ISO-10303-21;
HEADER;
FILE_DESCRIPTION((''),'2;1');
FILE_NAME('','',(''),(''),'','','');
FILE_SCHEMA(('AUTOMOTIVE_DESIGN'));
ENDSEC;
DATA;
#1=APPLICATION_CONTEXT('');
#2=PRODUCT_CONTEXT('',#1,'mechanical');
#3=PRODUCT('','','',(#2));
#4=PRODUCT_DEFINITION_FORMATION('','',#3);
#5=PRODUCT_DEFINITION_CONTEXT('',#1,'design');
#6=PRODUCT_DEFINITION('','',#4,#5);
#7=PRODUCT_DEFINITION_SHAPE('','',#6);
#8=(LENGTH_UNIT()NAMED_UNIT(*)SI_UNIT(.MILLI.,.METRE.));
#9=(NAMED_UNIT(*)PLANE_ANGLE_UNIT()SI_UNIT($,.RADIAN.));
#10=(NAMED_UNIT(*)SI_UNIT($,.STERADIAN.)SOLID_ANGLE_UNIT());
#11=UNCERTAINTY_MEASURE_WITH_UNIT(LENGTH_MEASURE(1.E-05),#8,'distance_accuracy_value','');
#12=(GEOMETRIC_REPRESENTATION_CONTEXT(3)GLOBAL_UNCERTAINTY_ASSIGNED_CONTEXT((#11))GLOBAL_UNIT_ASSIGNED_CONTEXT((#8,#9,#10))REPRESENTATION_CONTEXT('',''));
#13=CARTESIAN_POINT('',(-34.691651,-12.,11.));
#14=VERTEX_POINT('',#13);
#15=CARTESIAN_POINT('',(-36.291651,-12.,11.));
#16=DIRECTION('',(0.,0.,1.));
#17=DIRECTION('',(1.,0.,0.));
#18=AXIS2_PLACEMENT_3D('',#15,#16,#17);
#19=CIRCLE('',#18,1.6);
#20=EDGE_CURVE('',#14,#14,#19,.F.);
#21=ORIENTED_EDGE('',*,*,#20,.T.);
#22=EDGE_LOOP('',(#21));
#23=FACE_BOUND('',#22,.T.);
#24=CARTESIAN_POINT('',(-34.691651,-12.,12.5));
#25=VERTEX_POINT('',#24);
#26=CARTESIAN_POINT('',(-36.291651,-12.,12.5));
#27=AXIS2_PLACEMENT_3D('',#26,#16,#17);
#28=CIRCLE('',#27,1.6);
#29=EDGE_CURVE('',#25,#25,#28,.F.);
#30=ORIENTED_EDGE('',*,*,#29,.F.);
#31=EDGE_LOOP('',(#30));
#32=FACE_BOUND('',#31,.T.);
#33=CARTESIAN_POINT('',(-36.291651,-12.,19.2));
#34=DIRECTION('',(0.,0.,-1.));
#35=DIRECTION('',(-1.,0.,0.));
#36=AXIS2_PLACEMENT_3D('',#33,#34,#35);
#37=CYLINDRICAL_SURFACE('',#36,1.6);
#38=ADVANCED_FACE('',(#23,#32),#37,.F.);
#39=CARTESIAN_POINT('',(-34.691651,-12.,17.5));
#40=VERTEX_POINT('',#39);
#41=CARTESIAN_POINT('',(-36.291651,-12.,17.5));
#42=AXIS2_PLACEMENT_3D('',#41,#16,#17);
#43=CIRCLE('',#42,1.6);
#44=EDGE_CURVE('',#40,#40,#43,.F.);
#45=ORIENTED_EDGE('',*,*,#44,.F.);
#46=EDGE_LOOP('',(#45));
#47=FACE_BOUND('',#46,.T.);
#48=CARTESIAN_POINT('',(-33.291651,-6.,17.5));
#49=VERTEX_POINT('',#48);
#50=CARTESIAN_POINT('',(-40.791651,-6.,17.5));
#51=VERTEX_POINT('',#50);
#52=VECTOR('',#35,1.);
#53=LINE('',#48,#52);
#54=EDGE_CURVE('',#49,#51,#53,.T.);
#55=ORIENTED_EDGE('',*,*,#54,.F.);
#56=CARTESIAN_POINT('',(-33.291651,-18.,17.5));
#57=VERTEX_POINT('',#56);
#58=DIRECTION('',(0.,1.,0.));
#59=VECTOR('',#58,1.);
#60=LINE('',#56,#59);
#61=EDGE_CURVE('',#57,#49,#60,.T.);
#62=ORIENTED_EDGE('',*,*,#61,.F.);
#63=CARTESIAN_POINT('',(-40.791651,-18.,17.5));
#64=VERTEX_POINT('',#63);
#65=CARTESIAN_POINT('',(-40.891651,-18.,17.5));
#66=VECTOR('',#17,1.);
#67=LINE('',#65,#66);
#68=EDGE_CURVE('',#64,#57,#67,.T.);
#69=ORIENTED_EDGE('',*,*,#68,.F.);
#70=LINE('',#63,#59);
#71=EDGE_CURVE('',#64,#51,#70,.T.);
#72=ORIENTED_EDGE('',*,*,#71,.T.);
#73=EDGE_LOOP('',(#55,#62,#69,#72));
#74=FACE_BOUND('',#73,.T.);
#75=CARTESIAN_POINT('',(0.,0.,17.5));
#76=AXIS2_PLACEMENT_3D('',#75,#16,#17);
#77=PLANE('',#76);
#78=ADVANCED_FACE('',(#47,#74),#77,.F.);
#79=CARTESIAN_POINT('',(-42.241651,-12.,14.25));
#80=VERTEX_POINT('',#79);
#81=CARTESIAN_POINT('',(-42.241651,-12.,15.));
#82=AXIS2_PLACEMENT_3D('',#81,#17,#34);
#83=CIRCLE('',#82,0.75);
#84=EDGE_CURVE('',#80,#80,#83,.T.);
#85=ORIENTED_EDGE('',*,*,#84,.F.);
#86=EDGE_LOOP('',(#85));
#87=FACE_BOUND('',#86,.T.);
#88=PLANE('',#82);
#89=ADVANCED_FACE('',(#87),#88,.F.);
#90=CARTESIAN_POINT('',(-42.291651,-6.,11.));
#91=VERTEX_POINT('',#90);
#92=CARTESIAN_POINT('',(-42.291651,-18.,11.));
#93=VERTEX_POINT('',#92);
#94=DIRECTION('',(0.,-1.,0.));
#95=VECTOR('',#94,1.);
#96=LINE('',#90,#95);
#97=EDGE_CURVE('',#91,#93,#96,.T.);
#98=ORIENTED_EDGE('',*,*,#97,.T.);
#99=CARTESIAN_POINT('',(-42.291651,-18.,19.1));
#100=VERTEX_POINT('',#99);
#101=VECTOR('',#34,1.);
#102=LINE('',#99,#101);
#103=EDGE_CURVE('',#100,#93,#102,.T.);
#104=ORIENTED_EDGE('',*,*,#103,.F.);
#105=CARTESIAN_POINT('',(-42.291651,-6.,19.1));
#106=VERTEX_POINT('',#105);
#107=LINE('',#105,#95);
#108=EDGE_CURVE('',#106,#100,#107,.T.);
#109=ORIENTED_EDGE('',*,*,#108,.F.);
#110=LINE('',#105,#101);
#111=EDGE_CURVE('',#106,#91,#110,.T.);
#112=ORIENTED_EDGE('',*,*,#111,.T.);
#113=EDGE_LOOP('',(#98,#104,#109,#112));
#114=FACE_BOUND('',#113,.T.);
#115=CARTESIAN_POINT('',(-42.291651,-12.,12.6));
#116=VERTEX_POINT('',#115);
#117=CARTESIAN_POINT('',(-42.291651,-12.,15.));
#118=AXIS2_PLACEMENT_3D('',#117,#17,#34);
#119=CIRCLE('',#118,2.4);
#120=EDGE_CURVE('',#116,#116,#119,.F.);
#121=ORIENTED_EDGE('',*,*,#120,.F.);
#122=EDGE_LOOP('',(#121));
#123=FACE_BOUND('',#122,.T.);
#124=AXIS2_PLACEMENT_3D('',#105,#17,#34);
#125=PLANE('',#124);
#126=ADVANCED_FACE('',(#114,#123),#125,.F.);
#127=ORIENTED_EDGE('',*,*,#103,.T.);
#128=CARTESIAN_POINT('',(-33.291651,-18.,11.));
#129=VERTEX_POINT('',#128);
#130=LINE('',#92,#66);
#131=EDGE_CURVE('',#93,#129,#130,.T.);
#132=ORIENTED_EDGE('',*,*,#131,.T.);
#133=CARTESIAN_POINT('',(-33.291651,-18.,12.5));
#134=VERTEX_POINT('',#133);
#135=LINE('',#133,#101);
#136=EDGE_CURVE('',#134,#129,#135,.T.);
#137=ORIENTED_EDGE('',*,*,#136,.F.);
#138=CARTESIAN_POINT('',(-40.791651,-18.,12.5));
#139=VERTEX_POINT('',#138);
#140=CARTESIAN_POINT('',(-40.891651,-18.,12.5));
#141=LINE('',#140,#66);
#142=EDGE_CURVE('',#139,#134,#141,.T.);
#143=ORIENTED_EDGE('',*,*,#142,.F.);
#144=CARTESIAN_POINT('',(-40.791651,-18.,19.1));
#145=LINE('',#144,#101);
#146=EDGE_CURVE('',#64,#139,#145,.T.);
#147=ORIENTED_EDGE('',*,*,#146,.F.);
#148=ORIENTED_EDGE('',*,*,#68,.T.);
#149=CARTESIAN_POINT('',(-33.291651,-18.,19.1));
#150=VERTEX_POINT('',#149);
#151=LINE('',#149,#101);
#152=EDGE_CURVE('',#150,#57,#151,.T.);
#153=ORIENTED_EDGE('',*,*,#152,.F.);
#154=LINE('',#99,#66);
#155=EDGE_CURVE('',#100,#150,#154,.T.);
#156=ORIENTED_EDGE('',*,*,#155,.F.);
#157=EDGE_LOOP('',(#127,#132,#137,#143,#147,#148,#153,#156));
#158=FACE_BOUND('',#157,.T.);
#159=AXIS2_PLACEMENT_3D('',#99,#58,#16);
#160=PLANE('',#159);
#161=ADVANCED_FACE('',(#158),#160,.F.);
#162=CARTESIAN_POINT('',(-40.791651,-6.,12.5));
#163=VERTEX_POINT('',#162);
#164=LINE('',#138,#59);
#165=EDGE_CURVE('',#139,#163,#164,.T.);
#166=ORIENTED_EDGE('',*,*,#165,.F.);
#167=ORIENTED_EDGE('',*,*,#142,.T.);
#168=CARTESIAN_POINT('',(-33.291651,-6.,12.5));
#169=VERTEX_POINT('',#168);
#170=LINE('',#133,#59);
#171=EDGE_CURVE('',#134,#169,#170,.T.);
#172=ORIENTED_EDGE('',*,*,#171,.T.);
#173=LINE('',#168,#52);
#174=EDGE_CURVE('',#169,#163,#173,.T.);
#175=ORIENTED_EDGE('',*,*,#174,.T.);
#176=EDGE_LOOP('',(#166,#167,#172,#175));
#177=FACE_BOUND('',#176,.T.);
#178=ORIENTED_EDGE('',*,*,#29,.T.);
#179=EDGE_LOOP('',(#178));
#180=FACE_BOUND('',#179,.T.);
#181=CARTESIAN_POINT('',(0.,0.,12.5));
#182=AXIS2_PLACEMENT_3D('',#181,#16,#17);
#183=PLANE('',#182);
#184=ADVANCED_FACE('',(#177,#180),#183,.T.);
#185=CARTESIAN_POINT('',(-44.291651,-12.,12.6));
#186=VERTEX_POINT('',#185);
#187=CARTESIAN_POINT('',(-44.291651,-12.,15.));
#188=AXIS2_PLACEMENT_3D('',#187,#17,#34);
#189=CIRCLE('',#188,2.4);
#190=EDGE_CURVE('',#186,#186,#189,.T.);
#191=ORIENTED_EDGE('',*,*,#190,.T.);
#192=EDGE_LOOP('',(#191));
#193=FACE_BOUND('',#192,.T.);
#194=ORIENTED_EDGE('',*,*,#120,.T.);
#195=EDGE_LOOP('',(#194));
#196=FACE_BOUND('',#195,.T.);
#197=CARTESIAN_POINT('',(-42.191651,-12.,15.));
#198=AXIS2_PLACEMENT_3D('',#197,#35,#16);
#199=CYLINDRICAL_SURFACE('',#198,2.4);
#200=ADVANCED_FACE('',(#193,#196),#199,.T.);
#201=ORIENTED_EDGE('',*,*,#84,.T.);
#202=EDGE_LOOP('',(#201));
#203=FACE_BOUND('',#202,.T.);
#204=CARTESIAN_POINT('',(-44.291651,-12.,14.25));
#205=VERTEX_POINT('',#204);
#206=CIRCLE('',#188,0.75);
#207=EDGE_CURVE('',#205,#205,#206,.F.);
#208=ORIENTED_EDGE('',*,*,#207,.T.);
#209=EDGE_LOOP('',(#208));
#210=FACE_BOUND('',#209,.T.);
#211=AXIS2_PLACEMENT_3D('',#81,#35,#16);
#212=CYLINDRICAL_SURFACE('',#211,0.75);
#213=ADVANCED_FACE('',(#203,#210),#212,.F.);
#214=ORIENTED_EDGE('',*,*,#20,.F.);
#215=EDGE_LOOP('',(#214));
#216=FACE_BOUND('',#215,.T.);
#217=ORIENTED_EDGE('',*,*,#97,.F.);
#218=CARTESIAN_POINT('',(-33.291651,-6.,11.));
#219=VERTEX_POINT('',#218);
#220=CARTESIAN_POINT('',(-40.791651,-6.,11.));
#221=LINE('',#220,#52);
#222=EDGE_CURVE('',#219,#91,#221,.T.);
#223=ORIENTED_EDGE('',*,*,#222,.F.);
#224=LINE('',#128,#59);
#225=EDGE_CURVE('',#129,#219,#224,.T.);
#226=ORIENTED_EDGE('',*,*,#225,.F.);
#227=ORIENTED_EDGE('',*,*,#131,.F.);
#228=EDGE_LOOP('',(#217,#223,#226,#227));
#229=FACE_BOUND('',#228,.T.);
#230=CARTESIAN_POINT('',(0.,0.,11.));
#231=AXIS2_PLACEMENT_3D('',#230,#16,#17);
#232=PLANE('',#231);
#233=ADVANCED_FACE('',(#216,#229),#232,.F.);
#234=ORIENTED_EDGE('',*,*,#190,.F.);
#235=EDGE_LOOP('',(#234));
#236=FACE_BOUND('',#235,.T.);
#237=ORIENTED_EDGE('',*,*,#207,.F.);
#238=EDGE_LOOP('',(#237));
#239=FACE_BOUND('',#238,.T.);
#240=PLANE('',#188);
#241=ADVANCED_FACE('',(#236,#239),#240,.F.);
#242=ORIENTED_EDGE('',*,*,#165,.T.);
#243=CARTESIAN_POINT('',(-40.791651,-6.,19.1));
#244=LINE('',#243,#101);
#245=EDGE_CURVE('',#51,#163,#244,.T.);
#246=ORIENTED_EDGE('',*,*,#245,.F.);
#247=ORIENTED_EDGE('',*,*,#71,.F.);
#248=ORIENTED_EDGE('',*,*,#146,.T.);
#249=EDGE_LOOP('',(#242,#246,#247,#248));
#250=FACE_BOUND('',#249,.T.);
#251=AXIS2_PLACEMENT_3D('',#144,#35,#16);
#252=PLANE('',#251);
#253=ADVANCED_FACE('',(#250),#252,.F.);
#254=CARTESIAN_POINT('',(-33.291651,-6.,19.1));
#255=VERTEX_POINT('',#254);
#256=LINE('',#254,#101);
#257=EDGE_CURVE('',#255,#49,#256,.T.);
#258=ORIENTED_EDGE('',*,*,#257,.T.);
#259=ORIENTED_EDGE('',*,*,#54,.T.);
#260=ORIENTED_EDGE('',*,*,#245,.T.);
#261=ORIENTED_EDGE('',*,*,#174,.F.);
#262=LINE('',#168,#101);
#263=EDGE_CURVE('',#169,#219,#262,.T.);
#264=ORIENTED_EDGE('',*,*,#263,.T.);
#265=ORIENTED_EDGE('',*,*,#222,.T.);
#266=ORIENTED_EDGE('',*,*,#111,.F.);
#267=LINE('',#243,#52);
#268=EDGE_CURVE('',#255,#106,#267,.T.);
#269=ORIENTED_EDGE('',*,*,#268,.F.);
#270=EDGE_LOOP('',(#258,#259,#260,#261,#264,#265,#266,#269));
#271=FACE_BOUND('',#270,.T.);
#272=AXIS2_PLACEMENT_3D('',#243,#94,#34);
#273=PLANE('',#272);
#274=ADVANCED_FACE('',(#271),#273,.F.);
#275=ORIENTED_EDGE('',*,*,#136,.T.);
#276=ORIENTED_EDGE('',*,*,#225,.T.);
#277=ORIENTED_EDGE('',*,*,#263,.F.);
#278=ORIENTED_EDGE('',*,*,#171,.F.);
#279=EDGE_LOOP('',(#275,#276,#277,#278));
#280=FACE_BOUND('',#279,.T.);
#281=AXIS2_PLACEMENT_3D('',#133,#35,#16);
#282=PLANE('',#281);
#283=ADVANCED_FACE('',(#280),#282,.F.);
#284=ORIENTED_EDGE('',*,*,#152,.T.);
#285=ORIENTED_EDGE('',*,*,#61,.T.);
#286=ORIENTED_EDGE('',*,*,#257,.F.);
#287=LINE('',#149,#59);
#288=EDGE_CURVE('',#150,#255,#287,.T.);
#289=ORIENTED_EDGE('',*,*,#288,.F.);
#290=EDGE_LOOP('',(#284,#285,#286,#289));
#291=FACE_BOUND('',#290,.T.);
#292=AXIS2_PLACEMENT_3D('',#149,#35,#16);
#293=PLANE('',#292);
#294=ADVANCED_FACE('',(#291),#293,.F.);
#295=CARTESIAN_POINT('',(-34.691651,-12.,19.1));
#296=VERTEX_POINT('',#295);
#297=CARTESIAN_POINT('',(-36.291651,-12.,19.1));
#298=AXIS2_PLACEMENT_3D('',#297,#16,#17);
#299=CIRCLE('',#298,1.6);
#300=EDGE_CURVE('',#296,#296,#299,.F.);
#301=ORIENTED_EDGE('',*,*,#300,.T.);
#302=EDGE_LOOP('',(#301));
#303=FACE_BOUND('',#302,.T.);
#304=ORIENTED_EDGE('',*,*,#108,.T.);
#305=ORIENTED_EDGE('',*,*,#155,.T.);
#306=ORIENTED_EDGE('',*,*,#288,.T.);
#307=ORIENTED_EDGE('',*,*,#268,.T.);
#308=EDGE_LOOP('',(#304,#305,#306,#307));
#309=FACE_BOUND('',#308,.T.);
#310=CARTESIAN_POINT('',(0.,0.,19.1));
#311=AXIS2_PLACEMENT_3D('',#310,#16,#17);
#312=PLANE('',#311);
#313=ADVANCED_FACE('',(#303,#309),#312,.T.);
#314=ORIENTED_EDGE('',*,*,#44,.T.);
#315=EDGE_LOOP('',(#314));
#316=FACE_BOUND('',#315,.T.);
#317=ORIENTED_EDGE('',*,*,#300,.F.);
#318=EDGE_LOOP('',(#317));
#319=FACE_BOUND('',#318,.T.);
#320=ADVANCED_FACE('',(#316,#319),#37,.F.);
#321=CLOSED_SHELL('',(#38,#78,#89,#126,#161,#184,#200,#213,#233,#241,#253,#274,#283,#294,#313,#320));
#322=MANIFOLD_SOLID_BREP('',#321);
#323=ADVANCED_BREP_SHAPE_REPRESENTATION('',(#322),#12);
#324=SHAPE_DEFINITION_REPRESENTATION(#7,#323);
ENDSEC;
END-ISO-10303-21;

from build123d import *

# Parameters (mm, degrees)
SPRING_FRONT_CABLE_CLEVIS_1_SKETCH_W  = 1.5
SPRING_FRONT_CABLE_CLEVIS_1_SKETCH_H  = 12
SPRING_FRONT_CABLE_CLEVIS_1_DEPTH     = 8.1
SPRING_FRONT_CLEVIS_1_LOWER_SKETCH_W  = 7.6
SPRING_FRONT_CLEVIS_1_LOWER_SKETCH_H  = 12
SPRING_FRONT_CLEVIS_1_LOWER_DEPTH     = 1.5
SPRING_FRONT_CLEVIS_1_UPPER_SKETCH_W  = 7.6
SPRING_FRONT_CLEVIS_1_UPPER_SKETCH_H  = 12
SPRING_FRONT_CLEVIS_1_UPPER_DEPTH     = 1.6
FRONT_CLEVIS_SWAGE_HOUSING_1_SKETCH_R = 2.4
FRONT_CLEVIS_SWAGE_HOUSING_1_DEPTH    = 2.1
FRONT_CLEVIS_SWAGE_BORE_1_SKETCH_R    = 0.75
FRONT_CLEVIS_SWAGE_BORE_1_DEPTH       = 2.15
FRONT_CLEVIS_PIN_BORE_1_SKETCH_R      = 1.6
FRONT_CLEVIS_PIN_BORE_1_DEPTH         = 8.3


with BuildPart() as part:
    # Spring Front Cable Clevis 1 sketch → Spring Front Cable Clevis 1 (new body)
    with BuildSketch(Plane.XY.offset(11)):
        with Locations((-41.541651246, -12)):
            Rectangle(SPRING_FRONT_CABLE_CLEVIS_1_SKETCH_W, SPRING_FRONT_CABLE_CLEVIS_1_SKETCH_H)
    extrude(amount=SPRING_FRONT_CABLE_CLEVIS_1_DEPTH)

    # Spring Front Clevis 1 Lower sketch → Spring Front Clevis 1 Lower (add)
    with BuildSketch(Plane.XY.offset(11)):
        with Locations((-37.091651246, -12)):
            Rectangle(SPRING_FRONT_CLEVIS_1_LOWER_SKETCH_W, SPRING_FRONT_CLEVIS_1_LOWER_SKETCH_H)
    extrude(amount=SPRING_FRONT_CLEVIS_1_LOWER_DEPTH)

    # Spring Front Clevis 1 Upper sketch → Spring Front Clevis 1 Upper (add)
    with BuildSketch(Plane.XY.offset(17.5)):
        with Locations((-37.091651246, -12)):
            Rectangle(SPRING_FRONT_CLEVIS_1_UPPER_SKETCH_W, SPRING_FRONT_CLEVIS_1_UPPER_SKETCH_H)
    extrude(amount=SPRING_FRONT_CLEVIS_1_UPPER_DEPTH)

    # Front Clevis Swage Housing 1 sketch → Front Clevis Swage Housing 1 (add)
    with BuildSketch(Plane(origin=(-44.291651246, 0, 0), x_dir=(0, 0, -1), z_dir=(1, 0, 0))):
        with Locations((-15, -12)):
            Circle(FRONT_CLEVIS_SWAGE_HOUSING_1_SKETCH_R)
    extrude(amount=FRONT_CLEVIS_SWAGE_HOUSING_1_DEPTH)

    # Front Clevis Swage Bore 1 sketch → Front Clevis Swage Bore 1 (cut)
    with BuildSketch(Plane(origin=(-44.391651246, 0, 0), x_dir=(0, 0, -1), z_dir=(1, 0, 0))):
        with Locations((-15, -12)):
            Circle(FRONT_CLEVIS_SWAGE_BORE_1_SKETCH_R)
    extrude(amount=FRONT_CLEVIS_SWAGE_BORE_1_DEPTH, mode=Mode.SUBTRACT)

    # Front Clevis Pin Bore 1 sketch → Front Clevis Pin Bore 1 (cut)
    with BuildSketch(Plane.XY.offset(10.9)):
        with Locations((-36.291651246, -12)):
            Circle(FRONT_CLEVIS_PIN_BORE_1_SKETCH_R)
    extrude(amount=FRONT_CLEVIS_PIN_BORE_1_DEPTH, mode=Mode.SUBTRACT)


solid = part.part
